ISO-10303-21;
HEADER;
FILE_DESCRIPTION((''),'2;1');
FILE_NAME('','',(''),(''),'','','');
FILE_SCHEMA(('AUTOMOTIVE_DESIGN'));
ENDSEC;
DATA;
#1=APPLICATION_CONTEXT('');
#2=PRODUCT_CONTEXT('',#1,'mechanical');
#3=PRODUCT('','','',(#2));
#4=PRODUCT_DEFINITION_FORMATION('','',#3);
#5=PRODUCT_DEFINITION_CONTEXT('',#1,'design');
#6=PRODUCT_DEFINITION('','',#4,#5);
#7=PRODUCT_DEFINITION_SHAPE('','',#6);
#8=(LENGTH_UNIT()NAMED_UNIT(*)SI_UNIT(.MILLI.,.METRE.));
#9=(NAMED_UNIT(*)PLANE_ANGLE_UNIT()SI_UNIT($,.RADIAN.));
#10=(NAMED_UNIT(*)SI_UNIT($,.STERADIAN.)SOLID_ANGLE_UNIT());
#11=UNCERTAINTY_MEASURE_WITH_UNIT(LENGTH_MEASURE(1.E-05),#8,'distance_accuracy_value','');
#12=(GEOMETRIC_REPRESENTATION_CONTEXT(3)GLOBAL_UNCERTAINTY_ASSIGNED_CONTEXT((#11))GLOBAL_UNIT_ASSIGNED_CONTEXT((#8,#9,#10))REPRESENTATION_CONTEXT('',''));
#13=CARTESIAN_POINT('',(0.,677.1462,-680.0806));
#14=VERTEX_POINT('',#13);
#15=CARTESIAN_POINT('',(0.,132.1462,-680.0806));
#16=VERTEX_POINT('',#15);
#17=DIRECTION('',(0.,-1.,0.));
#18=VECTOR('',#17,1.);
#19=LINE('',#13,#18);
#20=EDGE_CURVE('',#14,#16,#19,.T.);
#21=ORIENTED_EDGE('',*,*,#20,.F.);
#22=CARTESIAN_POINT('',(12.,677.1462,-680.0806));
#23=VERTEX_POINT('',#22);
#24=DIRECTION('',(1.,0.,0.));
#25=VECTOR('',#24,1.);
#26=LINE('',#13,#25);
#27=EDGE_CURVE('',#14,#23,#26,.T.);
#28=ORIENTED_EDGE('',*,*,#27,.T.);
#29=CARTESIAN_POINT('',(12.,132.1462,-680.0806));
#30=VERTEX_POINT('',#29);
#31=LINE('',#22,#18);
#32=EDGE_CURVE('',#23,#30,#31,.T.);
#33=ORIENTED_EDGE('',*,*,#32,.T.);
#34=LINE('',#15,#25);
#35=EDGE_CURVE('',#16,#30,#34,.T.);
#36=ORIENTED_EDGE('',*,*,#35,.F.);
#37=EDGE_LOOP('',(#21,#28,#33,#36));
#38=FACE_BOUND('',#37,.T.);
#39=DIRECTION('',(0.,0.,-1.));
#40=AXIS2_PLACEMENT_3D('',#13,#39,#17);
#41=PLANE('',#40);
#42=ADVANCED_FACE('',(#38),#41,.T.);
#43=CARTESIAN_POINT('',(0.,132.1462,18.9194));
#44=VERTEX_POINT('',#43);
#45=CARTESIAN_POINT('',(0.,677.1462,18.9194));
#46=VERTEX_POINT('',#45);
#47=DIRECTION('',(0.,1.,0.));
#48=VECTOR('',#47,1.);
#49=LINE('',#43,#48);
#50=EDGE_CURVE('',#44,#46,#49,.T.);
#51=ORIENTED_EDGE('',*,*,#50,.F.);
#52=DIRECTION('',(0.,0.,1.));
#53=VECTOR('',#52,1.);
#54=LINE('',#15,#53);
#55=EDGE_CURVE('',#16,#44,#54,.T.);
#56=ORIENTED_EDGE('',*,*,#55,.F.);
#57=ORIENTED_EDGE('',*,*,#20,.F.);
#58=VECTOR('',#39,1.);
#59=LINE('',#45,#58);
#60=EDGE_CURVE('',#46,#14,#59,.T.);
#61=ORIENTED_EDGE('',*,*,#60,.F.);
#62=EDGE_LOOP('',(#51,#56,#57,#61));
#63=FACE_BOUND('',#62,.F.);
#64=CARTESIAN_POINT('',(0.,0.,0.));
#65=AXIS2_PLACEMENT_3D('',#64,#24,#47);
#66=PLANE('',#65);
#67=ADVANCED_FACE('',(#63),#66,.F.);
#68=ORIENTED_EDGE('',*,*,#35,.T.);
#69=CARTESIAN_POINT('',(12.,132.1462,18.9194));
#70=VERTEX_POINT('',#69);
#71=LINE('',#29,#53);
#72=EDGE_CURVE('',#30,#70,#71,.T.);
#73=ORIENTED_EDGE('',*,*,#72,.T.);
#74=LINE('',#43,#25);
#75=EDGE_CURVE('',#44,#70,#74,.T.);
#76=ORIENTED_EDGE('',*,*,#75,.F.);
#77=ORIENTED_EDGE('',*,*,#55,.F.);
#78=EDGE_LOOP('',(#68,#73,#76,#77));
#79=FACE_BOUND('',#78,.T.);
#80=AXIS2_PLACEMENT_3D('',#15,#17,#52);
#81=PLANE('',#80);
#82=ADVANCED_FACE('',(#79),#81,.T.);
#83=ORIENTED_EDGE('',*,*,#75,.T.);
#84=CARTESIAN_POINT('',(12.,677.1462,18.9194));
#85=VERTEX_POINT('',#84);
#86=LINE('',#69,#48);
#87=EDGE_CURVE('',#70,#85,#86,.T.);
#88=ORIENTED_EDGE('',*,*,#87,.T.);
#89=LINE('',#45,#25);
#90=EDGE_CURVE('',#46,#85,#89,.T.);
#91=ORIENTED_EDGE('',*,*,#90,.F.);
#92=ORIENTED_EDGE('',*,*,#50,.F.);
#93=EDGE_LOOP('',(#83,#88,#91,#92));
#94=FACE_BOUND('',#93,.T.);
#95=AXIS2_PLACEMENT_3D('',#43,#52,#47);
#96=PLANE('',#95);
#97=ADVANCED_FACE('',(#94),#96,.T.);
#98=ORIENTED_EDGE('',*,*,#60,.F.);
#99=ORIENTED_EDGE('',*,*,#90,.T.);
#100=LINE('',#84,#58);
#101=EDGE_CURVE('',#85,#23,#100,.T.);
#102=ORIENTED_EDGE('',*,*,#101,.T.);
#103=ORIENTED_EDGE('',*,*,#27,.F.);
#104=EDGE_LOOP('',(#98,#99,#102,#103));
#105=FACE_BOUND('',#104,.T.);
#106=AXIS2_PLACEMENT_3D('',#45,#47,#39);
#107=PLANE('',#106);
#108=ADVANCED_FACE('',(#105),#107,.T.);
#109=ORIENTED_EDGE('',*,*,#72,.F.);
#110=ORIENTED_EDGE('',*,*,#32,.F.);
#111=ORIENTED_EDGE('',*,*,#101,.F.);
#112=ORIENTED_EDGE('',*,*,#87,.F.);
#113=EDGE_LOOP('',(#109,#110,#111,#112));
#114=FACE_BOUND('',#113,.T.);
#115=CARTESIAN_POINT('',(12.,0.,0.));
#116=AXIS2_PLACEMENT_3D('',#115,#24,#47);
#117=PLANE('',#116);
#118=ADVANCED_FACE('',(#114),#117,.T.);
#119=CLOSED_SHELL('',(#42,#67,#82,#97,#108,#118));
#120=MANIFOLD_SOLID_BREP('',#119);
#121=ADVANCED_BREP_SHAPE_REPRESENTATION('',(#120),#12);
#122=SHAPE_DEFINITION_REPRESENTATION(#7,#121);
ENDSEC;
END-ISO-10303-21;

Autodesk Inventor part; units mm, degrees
ref_plane "YZ Plane" through (0, 0, 0) normal (1, 0, 0) x (0, 1, 0)
ref_plane "XZ Plane" through (0, 0, 0) normal (0, 1, 0) x (-1, 0, 0)
ref_plane "XY Plane" through (0, 0, 0) normal (0, 0, 1) x (1, 0, 0)
sketch "Sketch1" plane through (0, 0, 0) normal (1, 0, 0) x (0, 1, 0)
  line L0 (132.1462, 18.9194) -> (677.1462, 18.9194)
  line L1 (677.1462, 18.9194) -> (677.1462, -680.0806)
  line L2 (677.1462, -680.0806) -> (132.1462, -680.0806)
  line L3 (132.1462, -680.0806) -> (132.1462, 18.9194)
  point P0 (0, 0)
  dimension "b" = 545
  dimension "d1" = 699
extrude "Extrusion1" add sketch "Sketch1" along normal blind 12
properties part number "CUT PART I-01" material "Wood (Birch)"
